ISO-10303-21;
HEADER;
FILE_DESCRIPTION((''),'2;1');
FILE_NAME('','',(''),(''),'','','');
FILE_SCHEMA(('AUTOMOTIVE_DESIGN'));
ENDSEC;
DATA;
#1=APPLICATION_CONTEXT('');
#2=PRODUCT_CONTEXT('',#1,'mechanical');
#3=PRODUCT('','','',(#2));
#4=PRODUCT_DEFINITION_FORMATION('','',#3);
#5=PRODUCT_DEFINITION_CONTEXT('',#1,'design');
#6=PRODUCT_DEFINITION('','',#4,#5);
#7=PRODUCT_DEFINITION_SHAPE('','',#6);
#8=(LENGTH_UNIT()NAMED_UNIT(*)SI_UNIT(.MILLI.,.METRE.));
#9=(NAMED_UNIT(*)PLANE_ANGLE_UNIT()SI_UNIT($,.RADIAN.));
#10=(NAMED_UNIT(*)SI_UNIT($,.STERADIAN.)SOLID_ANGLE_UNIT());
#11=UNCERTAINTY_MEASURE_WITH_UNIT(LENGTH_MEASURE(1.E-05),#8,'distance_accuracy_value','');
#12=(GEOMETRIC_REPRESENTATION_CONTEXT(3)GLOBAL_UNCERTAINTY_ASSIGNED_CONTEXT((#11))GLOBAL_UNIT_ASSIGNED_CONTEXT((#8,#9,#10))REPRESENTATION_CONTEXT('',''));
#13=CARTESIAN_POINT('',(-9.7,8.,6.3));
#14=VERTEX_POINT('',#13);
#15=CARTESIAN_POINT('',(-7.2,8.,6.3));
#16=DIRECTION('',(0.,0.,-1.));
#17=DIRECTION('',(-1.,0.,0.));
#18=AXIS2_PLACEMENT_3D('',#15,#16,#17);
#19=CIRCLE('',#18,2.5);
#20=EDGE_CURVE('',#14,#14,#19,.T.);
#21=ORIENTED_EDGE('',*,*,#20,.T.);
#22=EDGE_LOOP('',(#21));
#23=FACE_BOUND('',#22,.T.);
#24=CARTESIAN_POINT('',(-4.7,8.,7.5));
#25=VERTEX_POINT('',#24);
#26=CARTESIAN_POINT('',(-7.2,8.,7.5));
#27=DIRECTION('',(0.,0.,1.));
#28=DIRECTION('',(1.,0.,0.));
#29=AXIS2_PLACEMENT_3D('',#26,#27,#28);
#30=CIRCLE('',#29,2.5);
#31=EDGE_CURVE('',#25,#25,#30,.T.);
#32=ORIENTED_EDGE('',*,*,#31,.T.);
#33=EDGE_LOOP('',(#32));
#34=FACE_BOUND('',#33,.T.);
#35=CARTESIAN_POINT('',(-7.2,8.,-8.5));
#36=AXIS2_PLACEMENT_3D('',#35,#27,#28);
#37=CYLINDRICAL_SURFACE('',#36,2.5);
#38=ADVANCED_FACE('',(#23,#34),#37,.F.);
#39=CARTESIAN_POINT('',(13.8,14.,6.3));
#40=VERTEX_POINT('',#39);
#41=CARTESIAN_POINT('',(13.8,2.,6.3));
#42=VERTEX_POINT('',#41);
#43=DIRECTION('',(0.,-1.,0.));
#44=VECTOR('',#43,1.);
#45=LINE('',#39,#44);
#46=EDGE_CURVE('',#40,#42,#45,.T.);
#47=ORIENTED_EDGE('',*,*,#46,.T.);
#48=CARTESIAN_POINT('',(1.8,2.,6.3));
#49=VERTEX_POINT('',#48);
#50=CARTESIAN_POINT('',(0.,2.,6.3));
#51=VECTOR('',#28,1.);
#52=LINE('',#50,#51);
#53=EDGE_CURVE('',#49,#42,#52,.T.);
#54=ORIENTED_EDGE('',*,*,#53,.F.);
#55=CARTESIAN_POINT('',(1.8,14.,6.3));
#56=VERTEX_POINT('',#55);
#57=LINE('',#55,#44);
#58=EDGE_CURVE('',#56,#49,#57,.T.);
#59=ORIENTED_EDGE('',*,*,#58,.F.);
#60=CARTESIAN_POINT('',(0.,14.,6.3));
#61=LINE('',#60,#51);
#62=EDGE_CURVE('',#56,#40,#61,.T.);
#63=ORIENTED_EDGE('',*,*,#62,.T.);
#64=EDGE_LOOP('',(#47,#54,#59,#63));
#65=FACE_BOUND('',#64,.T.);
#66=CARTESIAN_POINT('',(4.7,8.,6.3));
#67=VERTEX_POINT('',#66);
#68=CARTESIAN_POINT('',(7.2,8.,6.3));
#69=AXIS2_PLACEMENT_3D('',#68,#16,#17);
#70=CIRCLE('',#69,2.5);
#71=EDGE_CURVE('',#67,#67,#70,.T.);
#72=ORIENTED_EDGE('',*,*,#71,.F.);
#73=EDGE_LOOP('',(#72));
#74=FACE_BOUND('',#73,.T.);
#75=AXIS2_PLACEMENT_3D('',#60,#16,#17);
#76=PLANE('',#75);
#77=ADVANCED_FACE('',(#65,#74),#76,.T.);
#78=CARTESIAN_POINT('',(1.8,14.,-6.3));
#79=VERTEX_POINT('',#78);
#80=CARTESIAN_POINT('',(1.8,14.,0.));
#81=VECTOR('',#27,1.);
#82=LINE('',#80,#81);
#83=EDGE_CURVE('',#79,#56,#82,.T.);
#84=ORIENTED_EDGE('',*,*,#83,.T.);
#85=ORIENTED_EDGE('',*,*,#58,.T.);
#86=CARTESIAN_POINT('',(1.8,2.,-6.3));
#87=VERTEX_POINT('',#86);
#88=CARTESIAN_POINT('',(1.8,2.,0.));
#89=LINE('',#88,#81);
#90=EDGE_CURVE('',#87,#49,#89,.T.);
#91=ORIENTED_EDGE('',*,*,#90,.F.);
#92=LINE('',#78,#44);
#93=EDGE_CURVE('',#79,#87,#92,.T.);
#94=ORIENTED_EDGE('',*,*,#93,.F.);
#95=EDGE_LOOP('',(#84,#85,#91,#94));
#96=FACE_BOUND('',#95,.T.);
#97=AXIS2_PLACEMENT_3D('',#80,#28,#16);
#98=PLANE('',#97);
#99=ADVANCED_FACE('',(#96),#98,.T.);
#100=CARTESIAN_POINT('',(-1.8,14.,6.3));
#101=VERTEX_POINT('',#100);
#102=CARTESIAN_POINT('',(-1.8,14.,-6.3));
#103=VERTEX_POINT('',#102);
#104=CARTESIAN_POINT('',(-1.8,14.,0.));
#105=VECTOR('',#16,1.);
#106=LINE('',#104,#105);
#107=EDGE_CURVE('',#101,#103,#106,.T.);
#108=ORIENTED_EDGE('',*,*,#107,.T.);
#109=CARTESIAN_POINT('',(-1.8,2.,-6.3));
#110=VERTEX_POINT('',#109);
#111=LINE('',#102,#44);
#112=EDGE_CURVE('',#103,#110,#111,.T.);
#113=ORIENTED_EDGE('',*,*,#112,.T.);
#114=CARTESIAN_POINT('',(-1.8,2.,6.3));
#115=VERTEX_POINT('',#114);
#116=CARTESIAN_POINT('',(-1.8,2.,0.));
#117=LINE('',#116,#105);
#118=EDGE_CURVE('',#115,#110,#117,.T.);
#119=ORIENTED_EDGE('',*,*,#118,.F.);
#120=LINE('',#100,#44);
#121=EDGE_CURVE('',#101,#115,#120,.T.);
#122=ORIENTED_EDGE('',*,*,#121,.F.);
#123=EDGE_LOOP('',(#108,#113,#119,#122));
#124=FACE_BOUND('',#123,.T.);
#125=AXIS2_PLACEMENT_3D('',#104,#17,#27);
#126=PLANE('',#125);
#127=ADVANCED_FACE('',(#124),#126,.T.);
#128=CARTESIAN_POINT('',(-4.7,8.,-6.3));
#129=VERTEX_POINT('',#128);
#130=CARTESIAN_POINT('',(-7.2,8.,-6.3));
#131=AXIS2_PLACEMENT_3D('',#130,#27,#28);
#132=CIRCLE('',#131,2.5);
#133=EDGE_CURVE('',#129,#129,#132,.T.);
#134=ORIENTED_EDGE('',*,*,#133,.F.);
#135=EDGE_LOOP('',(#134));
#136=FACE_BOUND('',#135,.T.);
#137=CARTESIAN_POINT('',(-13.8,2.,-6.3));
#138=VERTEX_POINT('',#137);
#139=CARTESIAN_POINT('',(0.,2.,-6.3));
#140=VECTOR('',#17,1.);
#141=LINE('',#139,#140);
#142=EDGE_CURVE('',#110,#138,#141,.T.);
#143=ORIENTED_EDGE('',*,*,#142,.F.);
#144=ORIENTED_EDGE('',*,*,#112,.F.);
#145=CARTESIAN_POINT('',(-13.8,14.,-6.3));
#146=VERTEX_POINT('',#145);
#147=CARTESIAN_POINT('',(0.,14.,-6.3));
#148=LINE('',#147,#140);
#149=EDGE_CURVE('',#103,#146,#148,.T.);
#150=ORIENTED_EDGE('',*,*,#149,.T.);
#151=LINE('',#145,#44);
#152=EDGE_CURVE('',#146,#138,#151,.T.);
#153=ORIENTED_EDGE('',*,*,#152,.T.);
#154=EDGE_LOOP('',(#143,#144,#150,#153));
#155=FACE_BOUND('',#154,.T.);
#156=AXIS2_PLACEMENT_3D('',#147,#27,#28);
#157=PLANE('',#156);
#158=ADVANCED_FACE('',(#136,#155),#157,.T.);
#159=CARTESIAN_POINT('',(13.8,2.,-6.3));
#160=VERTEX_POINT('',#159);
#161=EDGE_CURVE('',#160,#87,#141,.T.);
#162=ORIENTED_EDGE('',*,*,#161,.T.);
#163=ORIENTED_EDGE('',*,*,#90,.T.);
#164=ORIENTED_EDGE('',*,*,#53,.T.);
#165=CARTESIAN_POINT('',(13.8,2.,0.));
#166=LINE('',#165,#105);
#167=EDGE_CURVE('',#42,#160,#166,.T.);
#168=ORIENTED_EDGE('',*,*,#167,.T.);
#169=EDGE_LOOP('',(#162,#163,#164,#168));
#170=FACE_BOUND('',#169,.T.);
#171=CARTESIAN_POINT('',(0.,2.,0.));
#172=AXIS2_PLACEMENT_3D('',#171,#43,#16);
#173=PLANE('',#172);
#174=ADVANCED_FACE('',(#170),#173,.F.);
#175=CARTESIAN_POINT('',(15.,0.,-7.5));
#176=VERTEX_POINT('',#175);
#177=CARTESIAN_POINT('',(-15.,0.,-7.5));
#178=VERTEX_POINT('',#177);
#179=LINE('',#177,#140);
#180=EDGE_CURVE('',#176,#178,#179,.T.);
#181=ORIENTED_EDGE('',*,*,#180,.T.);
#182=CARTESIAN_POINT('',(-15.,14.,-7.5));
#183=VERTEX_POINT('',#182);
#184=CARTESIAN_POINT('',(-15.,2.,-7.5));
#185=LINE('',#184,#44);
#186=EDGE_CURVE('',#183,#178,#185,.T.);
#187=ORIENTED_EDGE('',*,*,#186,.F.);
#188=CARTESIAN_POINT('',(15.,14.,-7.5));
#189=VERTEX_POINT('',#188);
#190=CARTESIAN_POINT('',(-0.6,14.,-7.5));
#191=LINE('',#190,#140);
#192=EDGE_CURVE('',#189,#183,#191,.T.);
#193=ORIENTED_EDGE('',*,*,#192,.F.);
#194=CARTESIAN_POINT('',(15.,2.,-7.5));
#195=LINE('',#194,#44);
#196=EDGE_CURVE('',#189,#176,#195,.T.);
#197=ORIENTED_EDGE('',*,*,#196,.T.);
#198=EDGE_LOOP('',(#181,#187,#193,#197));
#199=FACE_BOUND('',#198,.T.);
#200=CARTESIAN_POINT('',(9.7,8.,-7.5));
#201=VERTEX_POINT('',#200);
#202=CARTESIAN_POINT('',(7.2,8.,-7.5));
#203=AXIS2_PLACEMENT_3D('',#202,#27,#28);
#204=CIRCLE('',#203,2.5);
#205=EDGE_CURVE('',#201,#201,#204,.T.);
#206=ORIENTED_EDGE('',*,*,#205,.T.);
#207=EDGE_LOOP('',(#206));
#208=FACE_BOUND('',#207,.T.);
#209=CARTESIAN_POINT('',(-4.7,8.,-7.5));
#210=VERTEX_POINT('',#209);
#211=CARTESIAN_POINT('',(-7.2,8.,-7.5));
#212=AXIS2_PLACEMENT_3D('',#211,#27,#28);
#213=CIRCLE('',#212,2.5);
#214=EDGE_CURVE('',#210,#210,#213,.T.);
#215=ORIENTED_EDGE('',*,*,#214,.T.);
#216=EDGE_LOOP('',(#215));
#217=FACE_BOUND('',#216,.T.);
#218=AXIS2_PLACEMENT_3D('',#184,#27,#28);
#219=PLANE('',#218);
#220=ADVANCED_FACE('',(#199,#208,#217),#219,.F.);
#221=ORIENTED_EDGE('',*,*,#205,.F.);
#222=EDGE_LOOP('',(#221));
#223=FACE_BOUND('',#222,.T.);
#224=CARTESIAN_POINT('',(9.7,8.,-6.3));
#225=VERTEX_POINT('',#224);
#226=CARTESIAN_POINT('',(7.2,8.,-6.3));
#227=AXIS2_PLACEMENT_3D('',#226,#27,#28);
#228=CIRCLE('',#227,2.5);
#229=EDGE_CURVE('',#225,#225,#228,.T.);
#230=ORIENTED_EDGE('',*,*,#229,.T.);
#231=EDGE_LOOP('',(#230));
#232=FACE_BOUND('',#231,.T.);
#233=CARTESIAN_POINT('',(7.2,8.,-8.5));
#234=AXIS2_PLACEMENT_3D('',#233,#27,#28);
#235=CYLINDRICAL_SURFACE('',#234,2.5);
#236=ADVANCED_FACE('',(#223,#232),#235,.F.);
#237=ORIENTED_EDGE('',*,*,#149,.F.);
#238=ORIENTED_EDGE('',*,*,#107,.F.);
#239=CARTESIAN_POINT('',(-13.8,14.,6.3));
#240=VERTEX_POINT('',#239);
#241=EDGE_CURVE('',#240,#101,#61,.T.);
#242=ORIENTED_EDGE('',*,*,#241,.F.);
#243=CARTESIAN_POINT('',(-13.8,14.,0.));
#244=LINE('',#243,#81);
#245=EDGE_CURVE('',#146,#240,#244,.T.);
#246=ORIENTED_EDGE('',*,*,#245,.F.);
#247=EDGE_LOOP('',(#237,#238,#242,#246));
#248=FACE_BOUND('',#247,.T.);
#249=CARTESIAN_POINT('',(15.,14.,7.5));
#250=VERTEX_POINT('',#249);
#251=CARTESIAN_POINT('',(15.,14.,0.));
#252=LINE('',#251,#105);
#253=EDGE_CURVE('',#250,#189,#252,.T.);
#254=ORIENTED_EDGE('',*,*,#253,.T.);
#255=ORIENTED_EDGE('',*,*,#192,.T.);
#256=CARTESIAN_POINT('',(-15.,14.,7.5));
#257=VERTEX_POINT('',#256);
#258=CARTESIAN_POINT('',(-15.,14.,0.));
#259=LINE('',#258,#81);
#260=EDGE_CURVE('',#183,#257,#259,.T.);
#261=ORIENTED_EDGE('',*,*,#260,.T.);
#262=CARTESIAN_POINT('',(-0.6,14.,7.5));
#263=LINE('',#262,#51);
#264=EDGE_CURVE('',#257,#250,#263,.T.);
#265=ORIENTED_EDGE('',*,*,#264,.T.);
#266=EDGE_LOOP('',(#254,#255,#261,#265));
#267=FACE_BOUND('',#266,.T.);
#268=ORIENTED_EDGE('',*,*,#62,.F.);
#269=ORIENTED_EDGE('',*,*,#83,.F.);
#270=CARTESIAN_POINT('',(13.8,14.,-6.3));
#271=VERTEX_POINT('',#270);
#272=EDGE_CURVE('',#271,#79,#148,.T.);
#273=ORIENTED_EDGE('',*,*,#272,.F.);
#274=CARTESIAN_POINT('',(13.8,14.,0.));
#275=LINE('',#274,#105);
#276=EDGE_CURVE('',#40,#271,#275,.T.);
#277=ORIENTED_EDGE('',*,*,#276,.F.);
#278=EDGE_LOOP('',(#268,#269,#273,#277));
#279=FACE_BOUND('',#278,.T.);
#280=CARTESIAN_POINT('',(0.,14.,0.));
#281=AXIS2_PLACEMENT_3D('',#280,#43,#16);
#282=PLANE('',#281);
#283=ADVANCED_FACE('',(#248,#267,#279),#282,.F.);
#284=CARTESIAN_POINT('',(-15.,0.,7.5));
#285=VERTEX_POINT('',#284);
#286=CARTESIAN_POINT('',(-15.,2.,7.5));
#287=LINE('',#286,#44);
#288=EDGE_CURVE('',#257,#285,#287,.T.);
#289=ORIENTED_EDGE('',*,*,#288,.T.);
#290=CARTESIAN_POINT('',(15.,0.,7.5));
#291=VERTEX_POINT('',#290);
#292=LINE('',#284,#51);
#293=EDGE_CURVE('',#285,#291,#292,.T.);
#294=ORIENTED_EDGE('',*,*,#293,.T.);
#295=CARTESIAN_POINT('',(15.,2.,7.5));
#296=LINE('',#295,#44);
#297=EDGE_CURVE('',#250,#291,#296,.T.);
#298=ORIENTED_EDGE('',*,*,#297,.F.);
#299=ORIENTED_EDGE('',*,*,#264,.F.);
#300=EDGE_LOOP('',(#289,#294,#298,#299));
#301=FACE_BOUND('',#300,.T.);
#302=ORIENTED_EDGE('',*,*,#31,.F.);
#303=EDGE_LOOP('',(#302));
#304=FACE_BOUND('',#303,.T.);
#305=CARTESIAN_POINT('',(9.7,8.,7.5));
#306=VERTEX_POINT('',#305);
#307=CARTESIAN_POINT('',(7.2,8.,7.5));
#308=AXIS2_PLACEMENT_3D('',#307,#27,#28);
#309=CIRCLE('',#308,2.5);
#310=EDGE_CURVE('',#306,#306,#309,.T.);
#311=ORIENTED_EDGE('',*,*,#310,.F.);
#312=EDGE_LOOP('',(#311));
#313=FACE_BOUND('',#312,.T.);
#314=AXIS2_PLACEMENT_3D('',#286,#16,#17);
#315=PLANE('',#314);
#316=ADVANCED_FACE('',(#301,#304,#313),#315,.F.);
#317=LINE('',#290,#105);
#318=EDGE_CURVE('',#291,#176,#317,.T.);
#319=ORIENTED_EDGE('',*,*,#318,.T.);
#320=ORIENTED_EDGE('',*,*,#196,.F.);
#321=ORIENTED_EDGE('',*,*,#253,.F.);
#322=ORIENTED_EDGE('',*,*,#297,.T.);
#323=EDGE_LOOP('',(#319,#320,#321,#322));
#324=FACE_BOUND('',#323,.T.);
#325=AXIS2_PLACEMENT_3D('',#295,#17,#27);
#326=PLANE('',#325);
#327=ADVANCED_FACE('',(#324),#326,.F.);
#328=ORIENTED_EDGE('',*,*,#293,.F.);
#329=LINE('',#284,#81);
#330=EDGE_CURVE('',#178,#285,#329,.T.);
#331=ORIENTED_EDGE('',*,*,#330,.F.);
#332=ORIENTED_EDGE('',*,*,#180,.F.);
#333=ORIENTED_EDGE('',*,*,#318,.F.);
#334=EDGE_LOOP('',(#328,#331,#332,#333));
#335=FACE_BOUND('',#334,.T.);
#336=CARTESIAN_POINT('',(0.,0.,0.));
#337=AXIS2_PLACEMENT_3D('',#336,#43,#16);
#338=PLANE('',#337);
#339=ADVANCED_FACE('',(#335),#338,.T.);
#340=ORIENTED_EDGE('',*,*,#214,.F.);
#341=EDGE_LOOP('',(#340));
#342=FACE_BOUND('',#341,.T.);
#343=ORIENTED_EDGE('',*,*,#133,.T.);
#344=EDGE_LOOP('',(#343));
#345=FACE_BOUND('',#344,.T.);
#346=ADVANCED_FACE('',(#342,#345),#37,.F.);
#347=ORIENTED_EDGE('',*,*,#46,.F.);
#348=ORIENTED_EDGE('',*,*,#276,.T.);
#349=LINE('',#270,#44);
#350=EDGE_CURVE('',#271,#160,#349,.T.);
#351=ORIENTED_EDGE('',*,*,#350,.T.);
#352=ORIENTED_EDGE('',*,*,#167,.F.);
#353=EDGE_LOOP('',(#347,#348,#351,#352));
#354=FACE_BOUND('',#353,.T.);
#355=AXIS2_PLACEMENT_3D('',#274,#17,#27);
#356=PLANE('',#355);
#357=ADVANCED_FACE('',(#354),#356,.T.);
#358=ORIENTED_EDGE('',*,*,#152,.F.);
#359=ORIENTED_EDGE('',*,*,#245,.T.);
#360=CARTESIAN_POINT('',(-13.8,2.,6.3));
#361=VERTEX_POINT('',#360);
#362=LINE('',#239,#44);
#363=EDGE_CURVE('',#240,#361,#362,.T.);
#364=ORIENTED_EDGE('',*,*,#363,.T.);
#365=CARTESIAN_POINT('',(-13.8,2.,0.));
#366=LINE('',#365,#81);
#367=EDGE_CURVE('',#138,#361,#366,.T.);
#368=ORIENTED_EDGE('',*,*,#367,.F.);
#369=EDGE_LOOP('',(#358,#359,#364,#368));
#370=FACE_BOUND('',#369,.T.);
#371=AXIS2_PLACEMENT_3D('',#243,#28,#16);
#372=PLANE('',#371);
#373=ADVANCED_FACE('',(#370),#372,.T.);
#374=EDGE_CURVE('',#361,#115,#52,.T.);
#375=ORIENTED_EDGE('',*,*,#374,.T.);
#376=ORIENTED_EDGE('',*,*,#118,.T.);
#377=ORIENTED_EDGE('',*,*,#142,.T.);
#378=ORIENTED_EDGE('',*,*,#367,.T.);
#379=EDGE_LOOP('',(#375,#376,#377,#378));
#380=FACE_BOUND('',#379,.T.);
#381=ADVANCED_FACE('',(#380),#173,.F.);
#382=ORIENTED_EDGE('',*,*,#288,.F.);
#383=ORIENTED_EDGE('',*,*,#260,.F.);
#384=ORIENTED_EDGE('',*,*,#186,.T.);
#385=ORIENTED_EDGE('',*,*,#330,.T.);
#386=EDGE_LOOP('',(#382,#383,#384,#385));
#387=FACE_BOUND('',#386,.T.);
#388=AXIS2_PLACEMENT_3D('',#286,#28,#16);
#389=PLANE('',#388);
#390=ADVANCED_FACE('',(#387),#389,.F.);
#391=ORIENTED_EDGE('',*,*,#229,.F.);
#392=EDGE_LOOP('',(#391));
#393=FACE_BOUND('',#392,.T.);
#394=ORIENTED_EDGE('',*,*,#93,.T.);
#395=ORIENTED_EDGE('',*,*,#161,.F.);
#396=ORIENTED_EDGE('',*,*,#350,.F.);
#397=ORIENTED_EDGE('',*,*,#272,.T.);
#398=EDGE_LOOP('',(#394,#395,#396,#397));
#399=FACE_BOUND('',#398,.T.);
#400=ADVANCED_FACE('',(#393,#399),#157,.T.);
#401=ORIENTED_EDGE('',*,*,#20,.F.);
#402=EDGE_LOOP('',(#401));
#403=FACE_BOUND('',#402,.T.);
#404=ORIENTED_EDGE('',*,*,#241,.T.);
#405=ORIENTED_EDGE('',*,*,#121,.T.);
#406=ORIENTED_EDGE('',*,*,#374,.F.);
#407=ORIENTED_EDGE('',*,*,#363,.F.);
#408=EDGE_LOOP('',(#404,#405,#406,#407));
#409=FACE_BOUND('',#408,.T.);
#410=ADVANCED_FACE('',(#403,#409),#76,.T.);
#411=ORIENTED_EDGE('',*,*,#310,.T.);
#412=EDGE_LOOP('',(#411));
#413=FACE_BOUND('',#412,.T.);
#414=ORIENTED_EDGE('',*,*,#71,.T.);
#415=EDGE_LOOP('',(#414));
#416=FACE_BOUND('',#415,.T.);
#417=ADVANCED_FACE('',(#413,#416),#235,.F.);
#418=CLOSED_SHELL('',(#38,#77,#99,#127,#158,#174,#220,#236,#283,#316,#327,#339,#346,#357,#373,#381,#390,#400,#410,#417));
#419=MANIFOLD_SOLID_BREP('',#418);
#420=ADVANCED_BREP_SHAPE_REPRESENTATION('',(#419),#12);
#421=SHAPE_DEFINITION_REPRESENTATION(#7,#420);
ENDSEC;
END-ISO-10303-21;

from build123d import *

# Parameters (mm, degrees)
SKETCH1_W           = 30
SKETCH1_H           = 15
BOSS_EXTRUDE1_DEPTH = 2
SKETCH2_W           = 1.2
SKETCH2_H           = 15
BOSS_EXTRUDE2_DEPTH = 12
SKETCH3_W           = 14.4
SKETCH3_H           = 15
SKETCH3_W_2         = 12
SKETCH3_H_2         = 12.6
BOSS_EXTRUDE3_DEPTH = 12
SKETCH4_R           = 2.5
CUT_EXTRUDE1_DEPTH  = 16
SKETCH5_W           = 14.4
SKETCH5_H           = 15
SKETCH5_W_2         = 12
SKETCH5_H_2         = 12.6
BOSS_EXTRUDE4_DEPTH = 12
SKETCH6_R           = 2.5
CUT_EXTRUDE2_DEPTH  = 16


with BuildPart() as part:
    # Sketch1 → Boss-Extrude1 (new body)
    with BuildSketch(Plane(origin=(0, 0, 0), x_dir=(1, 0, 0), z_dir=(0, 1, 0))):
        Rectangle(SKETCH1_W, SKETCH1_H)
    extrude(amount=BOSS_EXTRUDE1_DEPTH)

    # Sketch2 → Boss-Extrude2 (add)
    with BuildSketch(Plane(origin=(0, 2, 0), x_dir=(1, 0, 0), z_dir=(0, 1, 0))):
        Rectangle(SKETCH2_W, SKETCH2_H)
    extrude(amount=BOSS_EXTRUDE2_DEPTH)

    # Sketch3 → Boss-Extrude3 (add)
    with BuildSketch(Plane(origin=(0, 2, 0), x_dir=(1, 0, 0), z_dir=(0, 1, 0))):
        with Locations((7.8, 0)):
            Rectangle(SKETCH3_W, SKETCH3_H)
        with Locations((7.8, 0)):
            Rectangle(SKETCH3_W_2, SKETCH3_H_2, mode=Mode.SUBTRACT)
    extrude(amount=BOSS_EXTRUDE3_DEPTH)

    # Sketch4 → Cut-Extrude1 (cut)
    with BuildSketch(Plane.XY.offset(7.5)):
        with Locations((7.2, 8)):
            Circle(SKETCH4_R)
    extrude(amount=-CUT_EXTRUDE1_DEPTH, mode=Mode.SUBTRACT)

    # Sketch5 → Boss-Extrude4 (add)
    with BuildSketch(Plane(origin=(0, 2, 0), x_dir=(1, 0, 0), z_dir=(0, 1, 0))):
        with Locations((-7.8, 0)):
            Rectangle(SKETCH5_W, SKETCH5_H)
        with Locations((-7.8, 0)):
            Rectangle(SKETCH5_W_2, SKETCH5_H_2, mode=Mode.SUBTRACT)
    extrude(amount=BOSS_EXTRUDE4_DEPTH)

    # Sketch6 → Cut-Extrude2 (cut)
    with BuildSketch(Plane.XY.offset(7.5)):
        with Locations((-7.2, 8)):
            Circle(SKETCH6_R)
    extrude(amount=-CUT_EXTRUDE2_DEPTH, mode=Mode.SUBTRACT)


solid = part.part
